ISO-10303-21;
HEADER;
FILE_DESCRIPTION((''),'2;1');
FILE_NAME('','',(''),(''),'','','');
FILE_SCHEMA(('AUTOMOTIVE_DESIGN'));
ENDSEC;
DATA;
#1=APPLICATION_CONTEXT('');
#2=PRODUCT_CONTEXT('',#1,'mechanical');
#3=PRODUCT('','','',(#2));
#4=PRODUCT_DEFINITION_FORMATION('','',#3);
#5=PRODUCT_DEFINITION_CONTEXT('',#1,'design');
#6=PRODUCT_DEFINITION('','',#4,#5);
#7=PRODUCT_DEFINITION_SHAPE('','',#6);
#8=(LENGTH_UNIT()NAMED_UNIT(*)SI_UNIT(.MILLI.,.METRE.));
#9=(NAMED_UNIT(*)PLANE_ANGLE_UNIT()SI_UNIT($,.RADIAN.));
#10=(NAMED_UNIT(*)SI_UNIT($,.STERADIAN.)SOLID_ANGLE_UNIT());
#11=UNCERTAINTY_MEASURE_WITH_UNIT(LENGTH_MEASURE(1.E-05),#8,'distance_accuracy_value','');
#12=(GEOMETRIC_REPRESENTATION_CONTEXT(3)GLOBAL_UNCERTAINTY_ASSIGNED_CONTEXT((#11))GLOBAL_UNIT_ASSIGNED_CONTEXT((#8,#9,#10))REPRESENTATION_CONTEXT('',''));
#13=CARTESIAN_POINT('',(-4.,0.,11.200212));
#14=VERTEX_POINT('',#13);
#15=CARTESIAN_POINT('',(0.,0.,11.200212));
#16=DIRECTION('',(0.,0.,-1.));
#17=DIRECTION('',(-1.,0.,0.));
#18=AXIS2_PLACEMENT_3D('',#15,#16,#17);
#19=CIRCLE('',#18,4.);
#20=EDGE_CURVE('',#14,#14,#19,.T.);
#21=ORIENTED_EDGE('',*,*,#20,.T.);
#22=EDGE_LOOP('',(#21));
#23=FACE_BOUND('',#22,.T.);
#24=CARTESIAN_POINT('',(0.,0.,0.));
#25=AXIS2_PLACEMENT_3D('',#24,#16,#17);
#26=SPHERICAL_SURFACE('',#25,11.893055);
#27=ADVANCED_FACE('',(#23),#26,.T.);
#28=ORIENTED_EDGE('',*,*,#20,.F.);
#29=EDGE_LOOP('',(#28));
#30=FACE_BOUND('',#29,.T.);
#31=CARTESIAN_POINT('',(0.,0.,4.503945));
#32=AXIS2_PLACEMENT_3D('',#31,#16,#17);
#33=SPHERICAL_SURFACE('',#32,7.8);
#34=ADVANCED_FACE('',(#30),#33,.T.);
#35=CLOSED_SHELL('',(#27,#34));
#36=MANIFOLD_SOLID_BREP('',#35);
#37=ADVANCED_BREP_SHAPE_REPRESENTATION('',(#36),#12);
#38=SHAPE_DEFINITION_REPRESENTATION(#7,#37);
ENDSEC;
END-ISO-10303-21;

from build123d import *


with BuildPart() as part:
    # Sketch2 → eye_revolve (revolve)
    with BuildSketch(Plane(origin=(0, 0, 0), x_dir=(1, 0, 0), z_dir=(0, 1, 0))):
        with BuildLine():
            Line((0, 11.893055118), (0, -12.303944882))
            ThreePointArc((0, -12.303944882), (-2.074742464, -12.022950382), (-4, -11.200212499))
            ThreePointArc((-4, -11.200212499), (-11.71856443, 2.029780216), (0, 11.893055118))
        make_face()
    revolve(axis=Axis((0, 0, -11.893055118), (0, 0, 1)))


solid = part.part
